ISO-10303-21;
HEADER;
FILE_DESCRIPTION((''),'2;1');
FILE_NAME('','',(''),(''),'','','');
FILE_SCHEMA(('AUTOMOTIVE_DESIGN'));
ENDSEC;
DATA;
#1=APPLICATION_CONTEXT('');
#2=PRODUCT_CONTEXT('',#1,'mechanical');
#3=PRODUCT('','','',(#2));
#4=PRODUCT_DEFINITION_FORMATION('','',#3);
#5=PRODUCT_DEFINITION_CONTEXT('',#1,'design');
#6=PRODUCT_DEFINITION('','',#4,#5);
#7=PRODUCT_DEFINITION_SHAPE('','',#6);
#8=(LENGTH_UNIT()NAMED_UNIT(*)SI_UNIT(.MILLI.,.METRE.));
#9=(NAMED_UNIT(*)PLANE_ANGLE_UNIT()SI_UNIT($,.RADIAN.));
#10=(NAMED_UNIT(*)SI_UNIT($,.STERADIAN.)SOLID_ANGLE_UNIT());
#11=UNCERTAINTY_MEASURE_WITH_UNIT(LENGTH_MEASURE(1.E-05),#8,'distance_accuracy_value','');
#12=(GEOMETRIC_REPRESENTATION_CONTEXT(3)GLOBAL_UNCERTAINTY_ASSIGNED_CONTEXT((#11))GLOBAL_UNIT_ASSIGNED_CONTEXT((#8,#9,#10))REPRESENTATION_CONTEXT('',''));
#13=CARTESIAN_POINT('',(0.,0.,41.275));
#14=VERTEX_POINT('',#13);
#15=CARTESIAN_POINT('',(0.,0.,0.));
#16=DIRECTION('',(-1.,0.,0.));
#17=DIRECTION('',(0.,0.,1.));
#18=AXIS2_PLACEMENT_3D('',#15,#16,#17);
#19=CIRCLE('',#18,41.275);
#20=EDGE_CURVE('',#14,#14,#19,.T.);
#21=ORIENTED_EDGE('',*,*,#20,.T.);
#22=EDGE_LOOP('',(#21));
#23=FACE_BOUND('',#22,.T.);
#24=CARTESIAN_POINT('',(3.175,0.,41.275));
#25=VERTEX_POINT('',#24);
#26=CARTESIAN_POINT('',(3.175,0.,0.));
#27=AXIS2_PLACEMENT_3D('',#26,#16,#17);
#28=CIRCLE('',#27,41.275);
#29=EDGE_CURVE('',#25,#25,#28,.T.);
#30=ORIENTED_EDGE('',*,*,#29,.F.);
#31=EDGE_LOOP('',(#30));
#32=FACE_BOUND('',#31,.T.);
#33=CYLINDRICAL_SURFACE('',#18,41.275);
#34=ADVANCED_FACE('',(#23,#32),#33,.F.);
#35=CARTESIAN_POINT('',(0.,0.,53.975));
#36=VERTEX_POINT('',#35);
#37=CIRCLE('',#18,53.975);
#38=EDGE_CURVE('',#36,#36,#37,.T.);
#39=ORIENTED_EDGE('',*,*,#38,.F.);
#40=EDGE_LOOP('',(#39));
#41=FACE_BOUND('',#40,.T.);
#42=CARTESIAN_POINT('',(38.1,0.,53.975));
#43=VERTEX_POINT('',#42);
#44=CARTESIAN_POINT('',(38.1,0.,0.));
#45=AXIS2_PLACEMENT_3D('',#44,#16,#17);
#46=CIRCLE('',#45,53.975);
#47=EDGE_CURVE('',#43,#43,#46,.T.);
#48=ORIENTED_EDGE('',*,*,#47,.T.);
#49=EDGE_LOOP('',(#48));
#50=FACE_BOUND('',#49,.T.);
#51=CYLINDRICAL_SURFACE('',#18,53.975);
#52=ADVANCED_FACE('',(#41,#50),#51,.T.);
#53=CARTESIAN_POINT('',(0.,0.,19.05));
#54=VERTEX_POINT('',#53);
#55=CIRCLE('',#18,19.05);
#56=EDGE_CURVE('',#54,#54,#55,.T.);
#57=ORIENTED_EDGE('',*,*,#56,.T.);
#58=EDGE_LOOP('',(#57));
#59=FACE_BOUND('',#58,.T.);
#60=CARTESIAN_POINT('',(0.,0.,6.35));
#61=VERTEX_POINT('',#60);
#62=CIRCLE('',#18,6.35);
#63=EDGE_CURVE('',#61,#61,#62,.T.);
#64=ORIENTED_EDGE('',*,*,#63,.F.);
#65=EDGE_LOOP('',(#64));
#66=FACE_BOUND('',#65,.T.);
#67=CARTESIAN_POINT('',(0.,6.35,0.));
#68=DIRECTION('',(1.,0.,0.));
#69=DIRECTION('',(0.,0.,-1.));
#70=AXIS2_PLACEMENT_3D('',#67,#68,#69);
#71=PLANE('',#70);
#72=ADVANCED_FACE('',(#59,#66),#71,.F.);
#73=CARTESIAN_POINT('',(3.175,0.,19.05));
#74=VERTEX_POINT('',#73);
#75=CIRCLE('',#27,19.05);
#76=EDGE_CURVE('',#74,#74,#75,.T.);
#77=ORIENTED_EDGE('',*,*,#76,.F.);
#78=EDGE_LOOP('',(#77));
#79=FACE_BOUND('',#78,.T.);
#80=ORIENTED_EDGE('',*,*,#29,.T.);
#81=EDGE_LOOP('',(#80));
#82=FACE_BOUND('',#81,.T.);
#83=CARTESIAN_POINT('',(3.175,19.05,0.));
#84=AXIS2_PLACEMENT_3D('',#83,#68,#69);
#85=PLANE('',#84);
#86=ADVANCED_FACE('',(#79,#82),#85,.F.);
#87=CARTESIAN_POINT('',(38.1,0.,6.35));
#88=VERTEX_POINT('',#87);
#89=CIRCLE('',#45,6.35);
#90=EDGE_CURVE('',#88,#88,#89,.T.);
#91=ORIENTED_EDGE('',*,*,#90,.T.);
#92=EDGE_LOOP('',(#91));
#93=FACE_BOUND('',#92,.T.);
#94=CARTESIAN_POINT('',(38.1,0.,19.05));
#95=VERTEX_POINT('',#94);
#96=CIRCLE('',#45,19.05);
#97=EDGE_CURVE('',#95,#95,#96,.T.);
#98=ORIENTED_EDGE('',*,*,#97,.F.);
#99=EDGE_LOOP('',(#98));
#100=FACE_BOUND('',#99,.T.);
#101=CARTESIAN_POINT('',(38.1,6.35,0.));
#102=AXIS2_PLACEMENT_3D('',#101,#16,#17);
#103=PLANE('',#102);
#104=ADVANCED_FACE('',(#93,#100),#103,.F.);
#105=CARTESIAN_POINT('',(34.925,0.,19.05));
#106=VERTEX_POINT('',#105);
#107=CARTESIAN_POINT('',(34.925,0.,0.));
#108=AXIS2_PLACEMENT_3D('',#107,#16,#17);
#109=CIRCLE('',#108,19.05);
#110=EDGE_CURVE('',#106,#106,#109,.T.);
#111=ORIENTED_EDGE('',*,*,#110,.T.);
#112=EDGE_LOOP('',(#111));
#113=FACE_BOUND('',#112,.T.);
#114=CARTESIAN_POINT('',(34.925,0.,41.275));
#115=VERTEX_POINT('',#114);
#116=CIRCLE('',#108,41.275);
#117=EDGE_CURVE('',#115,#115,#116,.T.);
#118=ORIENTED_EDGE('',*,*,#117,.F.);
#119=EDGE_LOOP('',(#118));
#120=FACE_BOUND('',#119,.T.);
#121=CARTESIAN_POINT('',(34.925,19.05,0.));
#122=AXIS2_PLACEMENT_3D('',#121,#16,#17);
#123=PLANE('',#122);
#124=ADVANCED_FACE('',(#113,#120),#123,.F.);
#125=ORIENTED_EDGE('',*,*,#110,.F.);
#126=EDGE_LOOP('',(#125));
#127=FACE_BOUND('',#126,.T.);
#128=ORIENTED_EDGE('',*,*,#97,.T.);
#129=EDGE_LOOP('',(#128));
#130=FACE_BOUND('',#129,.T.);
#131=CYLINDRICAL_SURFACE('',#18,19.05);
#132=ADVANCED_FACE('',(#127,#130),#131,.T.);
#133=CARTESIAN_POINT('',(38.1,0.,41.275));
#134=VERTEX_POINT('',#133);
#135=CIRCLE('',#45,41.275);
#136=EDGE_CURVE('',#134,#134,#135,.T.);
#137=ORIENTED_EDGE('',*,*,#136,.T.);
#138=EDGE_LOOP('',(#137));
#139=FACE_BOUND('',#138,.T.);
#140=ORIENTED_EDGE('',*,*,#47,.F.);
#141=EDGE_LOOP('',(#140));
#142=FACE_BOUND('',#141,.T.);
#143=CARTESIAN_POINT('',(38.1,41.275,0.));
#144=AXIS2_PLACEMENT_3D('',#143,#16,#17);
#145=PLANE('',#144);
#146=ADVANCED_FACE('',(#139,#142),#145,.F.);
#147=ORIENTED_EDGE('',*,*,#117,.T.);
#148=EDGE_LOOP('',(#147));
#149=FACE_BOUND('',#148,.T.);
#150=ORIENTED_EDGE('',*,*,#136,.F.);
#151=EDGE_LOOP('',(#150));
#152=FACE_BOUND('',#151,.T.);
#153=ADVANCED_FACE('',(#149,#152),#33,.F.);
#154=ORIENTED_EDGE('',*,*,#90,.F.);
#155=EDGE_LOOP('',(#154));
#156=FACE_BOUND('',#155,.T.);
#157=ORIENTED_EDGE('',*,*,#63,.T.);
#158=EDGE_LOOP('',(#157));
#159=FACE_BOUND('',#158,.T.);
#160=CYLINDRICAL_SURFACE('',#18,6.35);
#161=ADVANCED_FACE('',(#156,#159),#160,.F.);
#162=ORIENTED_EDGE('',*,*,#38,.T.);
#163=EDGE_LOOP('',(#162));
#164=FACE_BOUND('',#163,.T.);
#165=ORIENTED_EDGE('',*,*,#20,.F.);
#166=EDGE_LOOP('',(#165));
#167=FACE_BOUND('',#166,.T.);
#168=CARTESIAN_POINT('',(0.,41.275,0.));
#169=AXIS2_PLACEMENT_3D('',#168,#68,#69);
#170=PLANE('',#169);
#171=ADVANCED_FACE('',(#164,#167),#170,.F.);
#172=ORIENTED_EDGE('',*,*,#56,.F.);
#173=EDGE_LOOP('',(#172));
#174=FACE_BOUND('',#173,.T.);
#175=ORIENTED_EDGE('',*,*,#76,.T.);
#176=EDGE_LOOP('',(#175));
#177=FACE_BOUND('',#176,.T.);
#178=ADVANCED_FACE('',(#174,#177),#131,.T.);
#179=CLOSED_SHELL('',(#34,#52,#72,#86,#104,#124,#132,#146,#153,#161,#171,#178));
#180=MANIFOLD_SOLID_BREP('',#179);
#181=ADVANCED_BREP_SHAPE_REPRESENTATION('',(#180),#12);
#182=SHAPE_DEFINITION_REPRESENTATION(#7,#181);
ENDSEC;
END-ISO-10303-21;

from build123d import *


with BuildPart() as part:
    # Croquis1 → Revolución2 (revolve)
    with BuildSketch(Plane.XY):
        Polygon((0, 6.35), (0, 19.05), (3.175, 19.05), (3.175, 41.275), (0, 41.275), (0, 53.975), (38.1, 53.975), (38.1, 41.275), (34.925, 41.275), (34.925, 19.05), (38.1, 19.05), (38.1, 6.35), align=None)
    revolve(axis=Axis((0, 0, 0), (1, 0, 0)))


solid = part.part
